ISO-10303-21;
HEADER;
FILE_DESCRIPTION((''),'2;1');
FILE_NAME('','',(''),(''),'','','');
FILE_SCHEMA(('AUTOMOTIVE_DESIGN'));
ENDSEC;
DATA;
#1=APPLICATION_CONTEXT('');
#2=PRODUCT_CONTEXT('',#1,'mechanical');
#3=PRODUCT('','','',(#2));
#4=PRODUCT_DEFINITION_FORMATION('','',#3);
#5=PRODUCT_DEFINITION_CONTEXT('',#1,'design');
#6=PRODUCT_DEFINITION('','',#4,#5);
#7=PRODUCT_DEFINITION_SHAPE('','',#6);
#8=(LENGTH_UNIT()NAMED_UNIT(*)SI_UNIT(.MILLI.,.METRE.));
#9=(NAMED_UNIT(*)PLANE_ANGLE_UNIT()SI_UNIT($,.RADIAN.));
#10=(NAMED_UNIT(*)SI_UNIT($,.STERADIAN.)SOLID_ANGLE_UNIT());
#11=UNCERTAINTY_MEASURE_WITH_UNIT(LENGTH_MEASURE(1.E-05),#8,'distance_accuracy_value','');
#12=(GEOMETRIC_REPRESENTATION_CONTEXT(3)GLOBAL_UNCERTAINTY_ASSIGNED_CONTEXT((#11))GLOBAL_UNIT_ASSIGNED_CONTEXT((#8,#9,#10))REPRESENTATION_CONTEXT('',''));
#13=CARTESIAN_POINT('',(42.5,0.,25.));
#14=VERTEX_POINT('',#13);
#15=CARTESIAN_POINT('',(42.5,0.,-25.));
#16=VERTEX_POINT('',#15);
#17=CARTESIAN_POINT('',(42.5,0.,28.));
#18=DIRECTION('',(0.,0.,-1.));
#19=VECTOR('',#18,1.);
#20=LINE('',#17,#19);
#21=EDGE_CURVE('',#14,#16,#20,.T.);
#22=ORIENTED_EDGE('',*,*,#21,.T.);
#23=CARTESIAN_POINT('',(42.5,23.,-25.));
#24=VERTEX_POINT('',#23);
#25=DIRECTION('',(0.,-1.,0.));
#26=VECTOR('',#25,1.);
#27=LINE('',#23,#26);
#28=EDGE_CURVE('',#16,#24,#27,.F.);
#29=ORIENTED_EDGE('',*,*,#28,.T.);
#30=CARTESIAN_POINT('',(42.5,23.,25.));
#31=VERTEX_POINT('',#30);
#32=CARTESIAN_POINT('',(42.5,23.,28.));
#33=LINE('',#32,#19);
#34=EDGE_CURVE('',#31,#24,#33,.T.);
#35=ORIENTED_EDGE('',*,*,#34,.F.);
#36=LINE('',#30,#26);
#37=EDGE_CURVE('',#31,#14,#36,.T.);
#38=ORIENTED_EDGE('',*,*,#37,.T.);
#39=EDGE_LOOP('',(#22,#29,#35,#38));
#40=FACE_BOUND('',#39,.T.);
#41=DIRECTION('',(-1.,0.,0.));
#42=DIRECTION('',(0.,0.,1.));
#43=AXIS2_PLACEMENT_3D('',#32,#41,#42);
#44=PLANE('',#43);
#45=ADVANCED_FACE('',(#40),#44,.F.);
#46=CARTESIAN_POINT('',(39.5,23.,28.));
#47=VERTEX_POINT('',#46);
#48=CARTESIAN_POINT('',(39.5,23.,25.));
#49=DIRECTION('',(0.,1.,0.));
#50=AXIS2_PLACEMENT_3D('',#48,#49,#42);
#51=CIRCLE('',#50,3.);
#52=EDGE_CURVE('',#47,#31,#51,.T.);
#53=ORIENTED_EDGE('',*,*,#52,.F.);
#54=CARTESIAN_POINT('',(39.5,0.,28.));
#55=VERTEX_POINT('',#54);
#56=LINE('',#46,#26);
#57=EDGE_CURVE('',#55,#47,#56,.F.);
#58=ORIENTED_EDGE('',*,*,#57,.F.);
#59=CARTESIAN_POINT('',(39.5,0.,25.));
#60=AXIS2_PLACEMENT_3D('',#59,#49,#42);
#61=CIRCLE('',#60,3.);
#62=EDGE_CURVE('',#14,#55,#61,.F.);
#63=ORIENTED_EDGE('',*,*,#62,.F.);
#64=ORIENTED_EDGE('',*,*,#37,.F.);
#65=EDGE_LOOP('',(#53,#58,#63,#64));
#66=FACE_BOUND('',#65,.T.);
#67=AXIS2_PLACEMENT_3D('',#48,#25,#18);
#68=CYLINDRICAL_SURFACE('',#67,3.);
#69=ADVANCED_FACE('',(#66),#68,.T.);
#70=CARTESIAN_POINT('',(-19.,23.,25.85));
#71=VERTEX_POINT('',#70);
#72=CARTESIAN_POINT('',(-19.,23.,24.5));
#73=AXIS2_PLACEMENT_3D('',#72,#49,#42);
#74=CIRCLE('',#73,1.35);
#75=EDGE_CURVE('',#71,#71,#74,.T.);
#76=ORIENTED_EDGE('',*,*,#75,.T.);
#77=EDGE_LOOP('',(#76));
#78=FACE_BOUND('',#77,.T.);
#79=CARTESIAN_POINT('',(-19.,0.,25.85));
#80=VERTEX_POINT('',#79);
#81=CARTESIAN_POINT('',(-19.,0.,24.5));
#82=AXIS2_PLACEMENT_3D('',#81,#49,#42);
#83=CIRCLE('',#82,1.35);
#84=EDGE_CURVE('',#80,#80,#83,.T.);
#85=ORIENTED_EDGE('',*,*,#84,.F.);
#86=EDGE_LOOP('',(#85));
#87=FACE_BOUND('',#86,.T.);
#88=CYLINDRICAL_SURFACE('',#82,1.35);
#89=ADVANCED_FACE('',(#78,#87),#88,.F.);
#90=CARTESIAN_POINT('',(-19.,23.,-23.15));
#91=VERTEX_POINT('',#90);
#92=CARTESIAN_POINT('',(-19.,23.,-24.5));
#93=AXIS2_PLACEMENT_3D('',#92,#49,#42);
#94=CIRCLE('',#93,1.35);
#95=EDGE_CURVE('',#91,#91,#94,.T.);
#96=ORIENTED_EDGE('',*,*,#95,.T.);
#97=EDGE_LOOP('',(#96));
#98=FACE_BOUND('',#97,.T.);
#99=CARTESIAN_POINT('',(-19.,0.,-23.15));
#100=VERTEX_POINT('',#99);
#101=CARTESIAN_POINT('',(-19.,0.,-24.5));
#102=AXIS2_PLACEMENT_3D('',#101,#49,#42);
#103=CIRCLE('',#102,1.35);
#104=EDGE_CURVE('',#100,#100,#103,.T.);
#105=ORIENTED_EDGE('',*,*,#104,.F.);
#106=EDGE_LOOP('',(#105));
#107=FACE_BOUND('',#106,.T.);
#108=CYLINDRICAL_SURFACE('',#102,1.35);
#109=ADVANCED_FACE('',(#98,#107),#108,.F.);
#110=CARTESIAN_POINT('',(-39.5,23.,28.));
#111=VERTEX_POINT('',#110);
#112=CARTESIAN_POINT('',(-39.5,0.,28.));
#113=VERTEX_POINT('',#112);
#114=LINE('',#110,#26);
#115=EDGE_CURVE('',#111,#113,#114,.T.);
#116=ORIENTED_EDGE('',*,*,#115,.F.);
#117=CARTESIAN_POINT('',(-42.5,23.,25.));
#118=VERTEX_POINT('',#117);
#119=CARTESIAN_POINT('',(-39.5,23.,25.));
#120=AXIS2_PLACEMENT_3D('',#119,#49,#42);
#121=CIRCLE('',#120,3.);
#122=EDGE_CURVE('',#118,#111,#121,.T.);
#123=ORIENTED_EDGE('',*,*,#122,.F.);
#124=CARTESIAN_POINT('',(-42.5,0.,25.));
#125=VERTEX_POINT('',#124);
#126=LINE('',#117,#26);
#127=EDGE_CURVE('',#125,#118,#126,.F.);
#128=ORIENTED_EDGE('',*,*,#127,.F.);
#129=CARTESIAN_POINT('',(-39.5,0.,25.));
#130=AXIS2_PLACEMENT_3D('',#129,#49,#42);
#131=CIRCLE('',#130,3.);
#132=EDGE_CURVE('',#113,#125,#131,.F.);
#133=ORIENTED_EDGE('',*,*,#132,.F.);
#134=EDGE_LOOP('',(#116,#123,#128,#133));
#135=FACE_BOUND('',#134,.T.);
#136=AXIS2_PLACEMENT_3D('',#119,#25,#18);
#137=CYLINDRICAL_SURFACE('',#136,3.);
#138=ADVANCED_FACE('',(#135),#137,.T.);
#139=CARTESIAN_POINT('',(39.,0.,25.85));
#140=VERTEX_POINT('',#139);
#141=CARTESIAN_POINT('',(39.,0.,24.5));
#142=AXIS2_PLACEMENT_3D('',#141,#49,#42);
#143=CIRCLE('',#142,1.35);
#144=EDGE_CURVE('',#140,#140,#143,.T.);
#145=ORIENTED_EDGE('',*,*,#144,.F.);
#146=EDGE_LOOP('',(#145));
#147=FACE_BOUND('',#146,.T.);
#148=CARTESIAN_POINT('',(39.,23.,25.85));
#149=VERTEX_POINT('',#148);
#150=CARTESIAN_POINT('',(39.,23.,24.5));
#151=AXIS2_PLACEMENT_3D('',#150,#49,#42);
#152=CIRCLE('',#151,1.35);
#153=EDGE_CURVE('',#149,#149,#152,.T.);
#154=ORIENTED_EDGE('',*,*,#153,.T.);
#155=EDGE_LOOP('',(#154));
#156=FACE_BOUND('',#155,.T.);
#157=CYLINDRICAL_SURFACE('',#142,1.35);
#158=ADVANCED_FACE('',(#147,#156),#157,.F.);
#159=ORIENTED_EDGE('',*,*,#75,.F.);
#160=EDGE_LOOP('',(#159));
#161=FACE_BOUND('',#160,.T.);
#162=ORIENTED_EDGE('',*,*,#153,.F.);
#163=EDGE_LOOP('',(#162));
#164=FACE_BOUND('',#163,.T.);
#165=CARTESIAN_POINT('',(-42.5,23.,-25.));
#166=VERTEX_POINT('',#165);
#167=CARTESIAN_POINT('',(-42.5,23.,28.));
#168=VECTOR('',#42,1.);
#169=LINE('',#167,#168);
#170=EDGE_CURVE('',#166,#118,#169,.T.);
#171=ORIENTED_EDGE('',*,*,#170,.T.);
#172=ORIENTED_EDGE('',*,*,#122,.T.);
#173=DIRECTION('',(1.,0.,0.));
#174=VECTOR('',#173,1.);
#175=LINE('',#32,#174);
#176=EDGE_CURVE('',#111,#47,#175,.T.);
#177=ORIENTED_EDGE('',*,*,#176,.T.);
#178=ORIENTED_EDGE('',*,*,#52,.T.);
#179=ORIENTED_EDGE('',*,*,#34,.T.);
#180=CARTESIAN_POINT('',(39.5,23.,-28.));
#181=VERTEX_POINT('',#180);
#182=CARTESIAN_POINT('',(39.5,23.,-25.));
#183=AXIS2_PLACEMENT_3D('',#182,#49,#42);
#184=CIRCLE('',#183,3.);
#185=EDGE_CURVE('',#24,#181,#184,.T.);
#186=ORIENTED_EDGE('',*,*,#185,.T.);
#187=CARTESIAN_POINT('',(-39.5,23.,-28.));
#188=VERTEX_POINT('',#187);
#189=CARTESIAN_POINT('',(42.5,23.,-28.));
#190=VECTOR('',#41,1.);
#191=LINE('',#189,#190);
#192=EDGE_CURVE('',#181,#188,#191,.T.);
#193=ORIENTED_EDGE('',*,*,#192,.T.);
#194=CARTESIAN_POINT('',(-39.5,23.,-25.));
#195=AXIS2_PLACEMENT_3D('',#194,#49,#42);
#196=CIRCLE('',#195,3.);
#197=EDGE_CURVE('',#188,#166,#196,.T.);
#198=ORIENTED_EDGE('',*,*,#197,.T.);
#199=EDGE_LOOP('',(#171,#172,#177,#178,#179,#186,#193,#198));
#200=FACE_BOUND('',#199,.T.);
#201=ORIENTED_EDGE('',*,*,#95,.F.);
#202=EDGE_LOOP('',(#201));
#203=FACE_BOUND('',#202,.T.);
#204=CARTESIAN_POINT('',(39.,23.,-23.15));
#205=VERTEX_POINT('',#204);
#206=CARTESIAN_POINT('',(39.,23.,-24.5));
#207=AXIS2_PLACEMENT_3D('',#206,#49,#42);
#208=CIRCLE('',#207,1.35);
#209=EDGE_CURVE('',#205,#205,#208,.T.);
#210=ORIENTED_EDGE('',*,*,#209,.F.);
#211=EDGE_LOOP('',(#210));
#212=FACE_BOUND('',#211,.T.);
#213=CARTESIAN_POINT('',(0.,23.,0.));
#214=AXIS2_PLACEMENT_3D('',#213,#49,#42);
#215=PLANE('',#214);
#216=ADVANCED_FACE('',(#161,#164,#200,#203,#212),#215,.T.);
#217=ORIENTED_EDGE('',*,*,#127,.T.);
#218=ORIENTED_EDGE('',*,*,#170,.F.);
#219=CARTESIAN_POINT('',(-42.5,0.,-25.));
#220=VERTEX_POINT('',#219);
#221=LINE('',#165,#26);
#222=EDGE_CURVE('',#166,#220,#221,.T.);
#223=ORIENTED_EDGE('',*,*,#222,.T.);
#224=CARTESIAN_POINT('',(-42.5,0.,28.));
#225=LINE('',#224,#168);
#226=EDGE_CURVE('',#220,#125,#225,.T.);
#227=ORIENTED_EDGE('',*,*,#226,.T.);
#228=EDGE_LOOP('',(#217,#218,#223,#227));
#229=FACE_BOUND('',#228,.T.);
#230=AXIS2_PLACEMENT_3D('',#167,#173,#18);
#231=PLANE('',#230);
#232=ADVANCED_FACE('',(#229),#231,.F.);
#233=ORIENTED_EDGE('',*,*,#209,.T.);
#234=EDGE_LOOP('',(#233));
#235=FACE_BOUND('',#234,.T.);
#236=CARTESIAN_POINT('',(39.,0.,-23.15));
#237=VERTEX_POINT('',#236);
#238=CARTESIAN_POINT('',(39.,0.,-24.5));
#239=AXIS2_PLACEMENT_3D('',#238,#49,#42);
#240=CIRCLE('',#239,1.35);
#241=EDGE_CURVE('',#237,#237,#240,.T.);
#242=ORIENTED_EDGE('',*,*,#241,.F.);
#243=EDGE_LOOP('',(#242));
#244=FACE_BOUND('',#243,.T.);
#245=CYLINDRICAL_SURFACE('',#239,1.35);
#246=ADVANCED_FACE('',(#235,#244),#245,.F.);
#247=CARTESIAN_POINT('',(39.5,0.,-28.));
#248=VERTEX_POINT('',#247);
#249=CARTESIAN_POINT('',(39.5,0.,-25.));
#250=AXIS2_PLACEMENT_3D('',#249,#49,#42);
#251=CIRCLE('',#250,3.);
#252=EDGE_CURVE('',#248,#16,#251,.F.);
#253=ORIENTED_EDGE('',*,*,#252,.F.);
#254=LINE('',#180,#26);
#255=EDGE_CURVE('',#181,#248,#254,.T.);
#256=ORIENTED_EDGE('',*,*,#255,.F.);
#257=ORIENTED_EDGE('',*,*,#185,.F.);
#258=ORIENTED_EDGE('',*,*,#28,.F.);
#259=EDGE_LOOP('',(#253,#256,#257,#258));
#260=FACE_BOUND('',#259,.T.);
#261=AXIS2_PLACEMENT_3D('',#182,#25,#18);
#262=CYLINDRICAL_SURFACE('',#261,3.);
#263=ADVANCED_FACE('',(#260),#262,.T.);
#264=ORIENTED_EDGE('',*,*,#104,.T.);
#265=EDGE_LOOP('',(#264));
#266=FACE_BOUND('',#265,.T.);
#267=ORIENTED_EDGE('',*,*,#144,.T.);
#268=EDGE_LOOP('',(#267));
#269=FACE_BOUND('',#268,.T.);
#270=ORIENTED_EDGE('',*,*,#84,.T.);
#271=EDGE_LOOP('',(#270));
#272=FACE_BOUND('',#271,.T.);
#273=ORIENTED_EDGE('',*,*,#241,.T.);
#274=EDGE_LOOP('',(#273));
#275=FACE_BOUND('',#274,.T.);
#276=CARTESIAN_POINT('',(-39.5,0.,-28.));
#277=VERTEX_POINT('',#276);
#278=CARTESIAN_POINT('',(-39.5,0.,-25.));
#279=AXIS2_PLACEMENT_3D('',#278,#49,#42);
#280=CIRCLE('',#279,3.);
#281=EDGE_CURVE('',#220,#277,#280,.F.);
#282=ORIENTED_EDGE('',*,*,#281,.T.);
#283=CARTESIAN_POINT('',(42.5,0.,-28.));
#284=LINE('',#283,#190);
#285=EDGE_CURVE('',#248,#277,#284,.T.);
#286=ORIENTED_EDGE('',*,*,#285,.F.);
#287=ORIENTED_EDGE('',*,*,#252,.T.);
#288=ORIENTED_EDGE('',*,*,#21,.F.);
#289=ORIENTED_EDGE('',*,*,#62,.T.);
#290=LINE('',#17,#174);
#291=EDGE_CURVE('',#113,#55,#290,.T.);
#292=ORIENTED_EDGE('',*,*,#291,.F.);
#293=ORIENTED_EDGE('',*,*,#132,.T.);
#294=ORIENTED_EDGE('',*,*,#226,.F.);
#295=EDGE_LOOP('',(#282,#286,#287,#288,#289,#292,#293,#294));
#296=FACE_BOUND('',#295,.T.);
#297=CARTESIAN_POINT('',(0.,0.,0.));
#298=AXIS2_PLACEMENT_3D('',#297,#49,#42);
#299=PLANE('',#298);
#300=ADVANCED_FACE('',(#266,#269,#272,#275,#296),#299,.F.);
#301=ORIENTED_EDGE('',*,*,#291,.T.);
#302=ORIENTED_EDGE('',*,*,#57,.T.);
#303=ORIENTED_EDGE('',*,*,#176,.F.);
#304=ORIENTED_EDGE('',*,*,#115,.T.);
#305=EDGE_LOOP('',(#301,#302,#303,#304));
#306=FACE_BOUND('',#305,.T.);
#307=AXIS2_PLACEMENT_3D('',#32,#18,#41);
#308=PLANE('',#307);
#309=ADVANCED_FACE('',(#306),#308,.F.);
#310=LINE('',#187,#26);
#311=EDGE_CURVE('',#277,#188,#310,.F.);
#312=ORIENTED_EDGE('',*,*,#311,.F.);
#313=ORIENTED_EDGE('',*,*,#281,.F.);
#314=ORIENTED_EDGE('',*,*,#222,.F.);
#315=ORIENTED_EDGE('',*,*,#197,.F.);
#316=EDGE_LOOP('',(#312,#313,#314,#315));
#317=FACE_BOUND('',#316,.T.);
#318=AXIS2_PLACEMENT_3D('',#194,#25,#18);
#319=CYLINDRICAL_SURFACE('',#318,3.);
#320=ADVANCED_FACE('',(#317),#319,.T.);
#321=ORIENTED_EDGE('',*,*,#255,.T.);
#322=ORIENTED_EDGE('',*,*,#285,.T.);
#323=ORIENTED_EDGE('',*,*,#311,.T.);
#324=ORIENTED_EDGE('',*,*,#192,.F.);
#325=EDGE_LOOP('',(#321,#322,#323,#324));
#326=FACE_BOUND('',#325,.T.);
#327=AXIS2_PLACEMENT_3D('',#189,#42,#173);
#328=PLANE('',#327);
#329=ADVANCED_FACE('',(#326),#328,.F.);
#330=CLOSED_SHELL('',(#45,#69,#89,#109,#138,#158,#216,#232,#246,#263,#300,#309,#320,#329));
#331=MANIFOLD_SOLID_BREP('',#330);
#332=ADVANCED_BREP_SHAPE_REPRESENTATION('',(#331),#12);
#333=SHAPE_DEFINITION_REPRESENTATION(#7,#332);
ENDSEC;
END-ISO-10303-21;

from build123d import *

# Parameters (mm, degrees)
CROQUIS1_W              = 85
CROQUIS1_H              = 56
SALIENTE_EXTRUIR1_DEPTH = 23
REDONDEO1_R             = 3
CROQUIS2_R              = 1.35
CORTAR_EXTRUIR1_DEPTH   = 56.850246195


with BuildPart() as part:
    # Croquis1 → Saliente-Extruir1 (new body)
    with BuildSketch(Plane(origin=(0, 0, 0), x_dir=(1, 0, 0), z_dir=(0, 1, 0))):
        Rectangle(CROQUIS1_W, CROQUIS1_H)
    extrude(amount=SALIENTE_EXTRUIR1_DEPTH)

    # Redondeo1
    redondeo1_edges = [part.edges().sort_by_distance(p)[0] for p in [
        (-42.5, 11.5, -28),
        (42.5, 11.5, -28),
        (42.5, 11.5, 28),
        (-42.5, 11.5, 28),
    ]]
    fillet(redondeo1_edges, radius=REDONDEO1_R)

    # Croquis2 → Cortar-Extruir1 (cut, through all)
    with BuildSketch(Plane(origin=(0, 23, 0), x_dir=(1, 0, 0), z_dir=(0, 1, 0))):
        with Locations(Location((-19, 24.5, 0), (0, 0, 270))):
            Circle(CROQUIS2_R)
        with Locations(Location((39, 24.5, 0), (0, 0, 270))):
            Circle(CROQUIS2_R)
        with Locations(Location((39, -24.5, 0), (0, 0, 270))):
            Circle(CROQUIS2_R)
        with Locations(Location((-19, -24.5, 0), (0, 0, 270))):
            Circle(CROQUIS2_R)
    extrude(amount=-CORTAR_EXTRUIR1_DEPTH, mode=Mode.SUBTRACT)


solid = part.part
